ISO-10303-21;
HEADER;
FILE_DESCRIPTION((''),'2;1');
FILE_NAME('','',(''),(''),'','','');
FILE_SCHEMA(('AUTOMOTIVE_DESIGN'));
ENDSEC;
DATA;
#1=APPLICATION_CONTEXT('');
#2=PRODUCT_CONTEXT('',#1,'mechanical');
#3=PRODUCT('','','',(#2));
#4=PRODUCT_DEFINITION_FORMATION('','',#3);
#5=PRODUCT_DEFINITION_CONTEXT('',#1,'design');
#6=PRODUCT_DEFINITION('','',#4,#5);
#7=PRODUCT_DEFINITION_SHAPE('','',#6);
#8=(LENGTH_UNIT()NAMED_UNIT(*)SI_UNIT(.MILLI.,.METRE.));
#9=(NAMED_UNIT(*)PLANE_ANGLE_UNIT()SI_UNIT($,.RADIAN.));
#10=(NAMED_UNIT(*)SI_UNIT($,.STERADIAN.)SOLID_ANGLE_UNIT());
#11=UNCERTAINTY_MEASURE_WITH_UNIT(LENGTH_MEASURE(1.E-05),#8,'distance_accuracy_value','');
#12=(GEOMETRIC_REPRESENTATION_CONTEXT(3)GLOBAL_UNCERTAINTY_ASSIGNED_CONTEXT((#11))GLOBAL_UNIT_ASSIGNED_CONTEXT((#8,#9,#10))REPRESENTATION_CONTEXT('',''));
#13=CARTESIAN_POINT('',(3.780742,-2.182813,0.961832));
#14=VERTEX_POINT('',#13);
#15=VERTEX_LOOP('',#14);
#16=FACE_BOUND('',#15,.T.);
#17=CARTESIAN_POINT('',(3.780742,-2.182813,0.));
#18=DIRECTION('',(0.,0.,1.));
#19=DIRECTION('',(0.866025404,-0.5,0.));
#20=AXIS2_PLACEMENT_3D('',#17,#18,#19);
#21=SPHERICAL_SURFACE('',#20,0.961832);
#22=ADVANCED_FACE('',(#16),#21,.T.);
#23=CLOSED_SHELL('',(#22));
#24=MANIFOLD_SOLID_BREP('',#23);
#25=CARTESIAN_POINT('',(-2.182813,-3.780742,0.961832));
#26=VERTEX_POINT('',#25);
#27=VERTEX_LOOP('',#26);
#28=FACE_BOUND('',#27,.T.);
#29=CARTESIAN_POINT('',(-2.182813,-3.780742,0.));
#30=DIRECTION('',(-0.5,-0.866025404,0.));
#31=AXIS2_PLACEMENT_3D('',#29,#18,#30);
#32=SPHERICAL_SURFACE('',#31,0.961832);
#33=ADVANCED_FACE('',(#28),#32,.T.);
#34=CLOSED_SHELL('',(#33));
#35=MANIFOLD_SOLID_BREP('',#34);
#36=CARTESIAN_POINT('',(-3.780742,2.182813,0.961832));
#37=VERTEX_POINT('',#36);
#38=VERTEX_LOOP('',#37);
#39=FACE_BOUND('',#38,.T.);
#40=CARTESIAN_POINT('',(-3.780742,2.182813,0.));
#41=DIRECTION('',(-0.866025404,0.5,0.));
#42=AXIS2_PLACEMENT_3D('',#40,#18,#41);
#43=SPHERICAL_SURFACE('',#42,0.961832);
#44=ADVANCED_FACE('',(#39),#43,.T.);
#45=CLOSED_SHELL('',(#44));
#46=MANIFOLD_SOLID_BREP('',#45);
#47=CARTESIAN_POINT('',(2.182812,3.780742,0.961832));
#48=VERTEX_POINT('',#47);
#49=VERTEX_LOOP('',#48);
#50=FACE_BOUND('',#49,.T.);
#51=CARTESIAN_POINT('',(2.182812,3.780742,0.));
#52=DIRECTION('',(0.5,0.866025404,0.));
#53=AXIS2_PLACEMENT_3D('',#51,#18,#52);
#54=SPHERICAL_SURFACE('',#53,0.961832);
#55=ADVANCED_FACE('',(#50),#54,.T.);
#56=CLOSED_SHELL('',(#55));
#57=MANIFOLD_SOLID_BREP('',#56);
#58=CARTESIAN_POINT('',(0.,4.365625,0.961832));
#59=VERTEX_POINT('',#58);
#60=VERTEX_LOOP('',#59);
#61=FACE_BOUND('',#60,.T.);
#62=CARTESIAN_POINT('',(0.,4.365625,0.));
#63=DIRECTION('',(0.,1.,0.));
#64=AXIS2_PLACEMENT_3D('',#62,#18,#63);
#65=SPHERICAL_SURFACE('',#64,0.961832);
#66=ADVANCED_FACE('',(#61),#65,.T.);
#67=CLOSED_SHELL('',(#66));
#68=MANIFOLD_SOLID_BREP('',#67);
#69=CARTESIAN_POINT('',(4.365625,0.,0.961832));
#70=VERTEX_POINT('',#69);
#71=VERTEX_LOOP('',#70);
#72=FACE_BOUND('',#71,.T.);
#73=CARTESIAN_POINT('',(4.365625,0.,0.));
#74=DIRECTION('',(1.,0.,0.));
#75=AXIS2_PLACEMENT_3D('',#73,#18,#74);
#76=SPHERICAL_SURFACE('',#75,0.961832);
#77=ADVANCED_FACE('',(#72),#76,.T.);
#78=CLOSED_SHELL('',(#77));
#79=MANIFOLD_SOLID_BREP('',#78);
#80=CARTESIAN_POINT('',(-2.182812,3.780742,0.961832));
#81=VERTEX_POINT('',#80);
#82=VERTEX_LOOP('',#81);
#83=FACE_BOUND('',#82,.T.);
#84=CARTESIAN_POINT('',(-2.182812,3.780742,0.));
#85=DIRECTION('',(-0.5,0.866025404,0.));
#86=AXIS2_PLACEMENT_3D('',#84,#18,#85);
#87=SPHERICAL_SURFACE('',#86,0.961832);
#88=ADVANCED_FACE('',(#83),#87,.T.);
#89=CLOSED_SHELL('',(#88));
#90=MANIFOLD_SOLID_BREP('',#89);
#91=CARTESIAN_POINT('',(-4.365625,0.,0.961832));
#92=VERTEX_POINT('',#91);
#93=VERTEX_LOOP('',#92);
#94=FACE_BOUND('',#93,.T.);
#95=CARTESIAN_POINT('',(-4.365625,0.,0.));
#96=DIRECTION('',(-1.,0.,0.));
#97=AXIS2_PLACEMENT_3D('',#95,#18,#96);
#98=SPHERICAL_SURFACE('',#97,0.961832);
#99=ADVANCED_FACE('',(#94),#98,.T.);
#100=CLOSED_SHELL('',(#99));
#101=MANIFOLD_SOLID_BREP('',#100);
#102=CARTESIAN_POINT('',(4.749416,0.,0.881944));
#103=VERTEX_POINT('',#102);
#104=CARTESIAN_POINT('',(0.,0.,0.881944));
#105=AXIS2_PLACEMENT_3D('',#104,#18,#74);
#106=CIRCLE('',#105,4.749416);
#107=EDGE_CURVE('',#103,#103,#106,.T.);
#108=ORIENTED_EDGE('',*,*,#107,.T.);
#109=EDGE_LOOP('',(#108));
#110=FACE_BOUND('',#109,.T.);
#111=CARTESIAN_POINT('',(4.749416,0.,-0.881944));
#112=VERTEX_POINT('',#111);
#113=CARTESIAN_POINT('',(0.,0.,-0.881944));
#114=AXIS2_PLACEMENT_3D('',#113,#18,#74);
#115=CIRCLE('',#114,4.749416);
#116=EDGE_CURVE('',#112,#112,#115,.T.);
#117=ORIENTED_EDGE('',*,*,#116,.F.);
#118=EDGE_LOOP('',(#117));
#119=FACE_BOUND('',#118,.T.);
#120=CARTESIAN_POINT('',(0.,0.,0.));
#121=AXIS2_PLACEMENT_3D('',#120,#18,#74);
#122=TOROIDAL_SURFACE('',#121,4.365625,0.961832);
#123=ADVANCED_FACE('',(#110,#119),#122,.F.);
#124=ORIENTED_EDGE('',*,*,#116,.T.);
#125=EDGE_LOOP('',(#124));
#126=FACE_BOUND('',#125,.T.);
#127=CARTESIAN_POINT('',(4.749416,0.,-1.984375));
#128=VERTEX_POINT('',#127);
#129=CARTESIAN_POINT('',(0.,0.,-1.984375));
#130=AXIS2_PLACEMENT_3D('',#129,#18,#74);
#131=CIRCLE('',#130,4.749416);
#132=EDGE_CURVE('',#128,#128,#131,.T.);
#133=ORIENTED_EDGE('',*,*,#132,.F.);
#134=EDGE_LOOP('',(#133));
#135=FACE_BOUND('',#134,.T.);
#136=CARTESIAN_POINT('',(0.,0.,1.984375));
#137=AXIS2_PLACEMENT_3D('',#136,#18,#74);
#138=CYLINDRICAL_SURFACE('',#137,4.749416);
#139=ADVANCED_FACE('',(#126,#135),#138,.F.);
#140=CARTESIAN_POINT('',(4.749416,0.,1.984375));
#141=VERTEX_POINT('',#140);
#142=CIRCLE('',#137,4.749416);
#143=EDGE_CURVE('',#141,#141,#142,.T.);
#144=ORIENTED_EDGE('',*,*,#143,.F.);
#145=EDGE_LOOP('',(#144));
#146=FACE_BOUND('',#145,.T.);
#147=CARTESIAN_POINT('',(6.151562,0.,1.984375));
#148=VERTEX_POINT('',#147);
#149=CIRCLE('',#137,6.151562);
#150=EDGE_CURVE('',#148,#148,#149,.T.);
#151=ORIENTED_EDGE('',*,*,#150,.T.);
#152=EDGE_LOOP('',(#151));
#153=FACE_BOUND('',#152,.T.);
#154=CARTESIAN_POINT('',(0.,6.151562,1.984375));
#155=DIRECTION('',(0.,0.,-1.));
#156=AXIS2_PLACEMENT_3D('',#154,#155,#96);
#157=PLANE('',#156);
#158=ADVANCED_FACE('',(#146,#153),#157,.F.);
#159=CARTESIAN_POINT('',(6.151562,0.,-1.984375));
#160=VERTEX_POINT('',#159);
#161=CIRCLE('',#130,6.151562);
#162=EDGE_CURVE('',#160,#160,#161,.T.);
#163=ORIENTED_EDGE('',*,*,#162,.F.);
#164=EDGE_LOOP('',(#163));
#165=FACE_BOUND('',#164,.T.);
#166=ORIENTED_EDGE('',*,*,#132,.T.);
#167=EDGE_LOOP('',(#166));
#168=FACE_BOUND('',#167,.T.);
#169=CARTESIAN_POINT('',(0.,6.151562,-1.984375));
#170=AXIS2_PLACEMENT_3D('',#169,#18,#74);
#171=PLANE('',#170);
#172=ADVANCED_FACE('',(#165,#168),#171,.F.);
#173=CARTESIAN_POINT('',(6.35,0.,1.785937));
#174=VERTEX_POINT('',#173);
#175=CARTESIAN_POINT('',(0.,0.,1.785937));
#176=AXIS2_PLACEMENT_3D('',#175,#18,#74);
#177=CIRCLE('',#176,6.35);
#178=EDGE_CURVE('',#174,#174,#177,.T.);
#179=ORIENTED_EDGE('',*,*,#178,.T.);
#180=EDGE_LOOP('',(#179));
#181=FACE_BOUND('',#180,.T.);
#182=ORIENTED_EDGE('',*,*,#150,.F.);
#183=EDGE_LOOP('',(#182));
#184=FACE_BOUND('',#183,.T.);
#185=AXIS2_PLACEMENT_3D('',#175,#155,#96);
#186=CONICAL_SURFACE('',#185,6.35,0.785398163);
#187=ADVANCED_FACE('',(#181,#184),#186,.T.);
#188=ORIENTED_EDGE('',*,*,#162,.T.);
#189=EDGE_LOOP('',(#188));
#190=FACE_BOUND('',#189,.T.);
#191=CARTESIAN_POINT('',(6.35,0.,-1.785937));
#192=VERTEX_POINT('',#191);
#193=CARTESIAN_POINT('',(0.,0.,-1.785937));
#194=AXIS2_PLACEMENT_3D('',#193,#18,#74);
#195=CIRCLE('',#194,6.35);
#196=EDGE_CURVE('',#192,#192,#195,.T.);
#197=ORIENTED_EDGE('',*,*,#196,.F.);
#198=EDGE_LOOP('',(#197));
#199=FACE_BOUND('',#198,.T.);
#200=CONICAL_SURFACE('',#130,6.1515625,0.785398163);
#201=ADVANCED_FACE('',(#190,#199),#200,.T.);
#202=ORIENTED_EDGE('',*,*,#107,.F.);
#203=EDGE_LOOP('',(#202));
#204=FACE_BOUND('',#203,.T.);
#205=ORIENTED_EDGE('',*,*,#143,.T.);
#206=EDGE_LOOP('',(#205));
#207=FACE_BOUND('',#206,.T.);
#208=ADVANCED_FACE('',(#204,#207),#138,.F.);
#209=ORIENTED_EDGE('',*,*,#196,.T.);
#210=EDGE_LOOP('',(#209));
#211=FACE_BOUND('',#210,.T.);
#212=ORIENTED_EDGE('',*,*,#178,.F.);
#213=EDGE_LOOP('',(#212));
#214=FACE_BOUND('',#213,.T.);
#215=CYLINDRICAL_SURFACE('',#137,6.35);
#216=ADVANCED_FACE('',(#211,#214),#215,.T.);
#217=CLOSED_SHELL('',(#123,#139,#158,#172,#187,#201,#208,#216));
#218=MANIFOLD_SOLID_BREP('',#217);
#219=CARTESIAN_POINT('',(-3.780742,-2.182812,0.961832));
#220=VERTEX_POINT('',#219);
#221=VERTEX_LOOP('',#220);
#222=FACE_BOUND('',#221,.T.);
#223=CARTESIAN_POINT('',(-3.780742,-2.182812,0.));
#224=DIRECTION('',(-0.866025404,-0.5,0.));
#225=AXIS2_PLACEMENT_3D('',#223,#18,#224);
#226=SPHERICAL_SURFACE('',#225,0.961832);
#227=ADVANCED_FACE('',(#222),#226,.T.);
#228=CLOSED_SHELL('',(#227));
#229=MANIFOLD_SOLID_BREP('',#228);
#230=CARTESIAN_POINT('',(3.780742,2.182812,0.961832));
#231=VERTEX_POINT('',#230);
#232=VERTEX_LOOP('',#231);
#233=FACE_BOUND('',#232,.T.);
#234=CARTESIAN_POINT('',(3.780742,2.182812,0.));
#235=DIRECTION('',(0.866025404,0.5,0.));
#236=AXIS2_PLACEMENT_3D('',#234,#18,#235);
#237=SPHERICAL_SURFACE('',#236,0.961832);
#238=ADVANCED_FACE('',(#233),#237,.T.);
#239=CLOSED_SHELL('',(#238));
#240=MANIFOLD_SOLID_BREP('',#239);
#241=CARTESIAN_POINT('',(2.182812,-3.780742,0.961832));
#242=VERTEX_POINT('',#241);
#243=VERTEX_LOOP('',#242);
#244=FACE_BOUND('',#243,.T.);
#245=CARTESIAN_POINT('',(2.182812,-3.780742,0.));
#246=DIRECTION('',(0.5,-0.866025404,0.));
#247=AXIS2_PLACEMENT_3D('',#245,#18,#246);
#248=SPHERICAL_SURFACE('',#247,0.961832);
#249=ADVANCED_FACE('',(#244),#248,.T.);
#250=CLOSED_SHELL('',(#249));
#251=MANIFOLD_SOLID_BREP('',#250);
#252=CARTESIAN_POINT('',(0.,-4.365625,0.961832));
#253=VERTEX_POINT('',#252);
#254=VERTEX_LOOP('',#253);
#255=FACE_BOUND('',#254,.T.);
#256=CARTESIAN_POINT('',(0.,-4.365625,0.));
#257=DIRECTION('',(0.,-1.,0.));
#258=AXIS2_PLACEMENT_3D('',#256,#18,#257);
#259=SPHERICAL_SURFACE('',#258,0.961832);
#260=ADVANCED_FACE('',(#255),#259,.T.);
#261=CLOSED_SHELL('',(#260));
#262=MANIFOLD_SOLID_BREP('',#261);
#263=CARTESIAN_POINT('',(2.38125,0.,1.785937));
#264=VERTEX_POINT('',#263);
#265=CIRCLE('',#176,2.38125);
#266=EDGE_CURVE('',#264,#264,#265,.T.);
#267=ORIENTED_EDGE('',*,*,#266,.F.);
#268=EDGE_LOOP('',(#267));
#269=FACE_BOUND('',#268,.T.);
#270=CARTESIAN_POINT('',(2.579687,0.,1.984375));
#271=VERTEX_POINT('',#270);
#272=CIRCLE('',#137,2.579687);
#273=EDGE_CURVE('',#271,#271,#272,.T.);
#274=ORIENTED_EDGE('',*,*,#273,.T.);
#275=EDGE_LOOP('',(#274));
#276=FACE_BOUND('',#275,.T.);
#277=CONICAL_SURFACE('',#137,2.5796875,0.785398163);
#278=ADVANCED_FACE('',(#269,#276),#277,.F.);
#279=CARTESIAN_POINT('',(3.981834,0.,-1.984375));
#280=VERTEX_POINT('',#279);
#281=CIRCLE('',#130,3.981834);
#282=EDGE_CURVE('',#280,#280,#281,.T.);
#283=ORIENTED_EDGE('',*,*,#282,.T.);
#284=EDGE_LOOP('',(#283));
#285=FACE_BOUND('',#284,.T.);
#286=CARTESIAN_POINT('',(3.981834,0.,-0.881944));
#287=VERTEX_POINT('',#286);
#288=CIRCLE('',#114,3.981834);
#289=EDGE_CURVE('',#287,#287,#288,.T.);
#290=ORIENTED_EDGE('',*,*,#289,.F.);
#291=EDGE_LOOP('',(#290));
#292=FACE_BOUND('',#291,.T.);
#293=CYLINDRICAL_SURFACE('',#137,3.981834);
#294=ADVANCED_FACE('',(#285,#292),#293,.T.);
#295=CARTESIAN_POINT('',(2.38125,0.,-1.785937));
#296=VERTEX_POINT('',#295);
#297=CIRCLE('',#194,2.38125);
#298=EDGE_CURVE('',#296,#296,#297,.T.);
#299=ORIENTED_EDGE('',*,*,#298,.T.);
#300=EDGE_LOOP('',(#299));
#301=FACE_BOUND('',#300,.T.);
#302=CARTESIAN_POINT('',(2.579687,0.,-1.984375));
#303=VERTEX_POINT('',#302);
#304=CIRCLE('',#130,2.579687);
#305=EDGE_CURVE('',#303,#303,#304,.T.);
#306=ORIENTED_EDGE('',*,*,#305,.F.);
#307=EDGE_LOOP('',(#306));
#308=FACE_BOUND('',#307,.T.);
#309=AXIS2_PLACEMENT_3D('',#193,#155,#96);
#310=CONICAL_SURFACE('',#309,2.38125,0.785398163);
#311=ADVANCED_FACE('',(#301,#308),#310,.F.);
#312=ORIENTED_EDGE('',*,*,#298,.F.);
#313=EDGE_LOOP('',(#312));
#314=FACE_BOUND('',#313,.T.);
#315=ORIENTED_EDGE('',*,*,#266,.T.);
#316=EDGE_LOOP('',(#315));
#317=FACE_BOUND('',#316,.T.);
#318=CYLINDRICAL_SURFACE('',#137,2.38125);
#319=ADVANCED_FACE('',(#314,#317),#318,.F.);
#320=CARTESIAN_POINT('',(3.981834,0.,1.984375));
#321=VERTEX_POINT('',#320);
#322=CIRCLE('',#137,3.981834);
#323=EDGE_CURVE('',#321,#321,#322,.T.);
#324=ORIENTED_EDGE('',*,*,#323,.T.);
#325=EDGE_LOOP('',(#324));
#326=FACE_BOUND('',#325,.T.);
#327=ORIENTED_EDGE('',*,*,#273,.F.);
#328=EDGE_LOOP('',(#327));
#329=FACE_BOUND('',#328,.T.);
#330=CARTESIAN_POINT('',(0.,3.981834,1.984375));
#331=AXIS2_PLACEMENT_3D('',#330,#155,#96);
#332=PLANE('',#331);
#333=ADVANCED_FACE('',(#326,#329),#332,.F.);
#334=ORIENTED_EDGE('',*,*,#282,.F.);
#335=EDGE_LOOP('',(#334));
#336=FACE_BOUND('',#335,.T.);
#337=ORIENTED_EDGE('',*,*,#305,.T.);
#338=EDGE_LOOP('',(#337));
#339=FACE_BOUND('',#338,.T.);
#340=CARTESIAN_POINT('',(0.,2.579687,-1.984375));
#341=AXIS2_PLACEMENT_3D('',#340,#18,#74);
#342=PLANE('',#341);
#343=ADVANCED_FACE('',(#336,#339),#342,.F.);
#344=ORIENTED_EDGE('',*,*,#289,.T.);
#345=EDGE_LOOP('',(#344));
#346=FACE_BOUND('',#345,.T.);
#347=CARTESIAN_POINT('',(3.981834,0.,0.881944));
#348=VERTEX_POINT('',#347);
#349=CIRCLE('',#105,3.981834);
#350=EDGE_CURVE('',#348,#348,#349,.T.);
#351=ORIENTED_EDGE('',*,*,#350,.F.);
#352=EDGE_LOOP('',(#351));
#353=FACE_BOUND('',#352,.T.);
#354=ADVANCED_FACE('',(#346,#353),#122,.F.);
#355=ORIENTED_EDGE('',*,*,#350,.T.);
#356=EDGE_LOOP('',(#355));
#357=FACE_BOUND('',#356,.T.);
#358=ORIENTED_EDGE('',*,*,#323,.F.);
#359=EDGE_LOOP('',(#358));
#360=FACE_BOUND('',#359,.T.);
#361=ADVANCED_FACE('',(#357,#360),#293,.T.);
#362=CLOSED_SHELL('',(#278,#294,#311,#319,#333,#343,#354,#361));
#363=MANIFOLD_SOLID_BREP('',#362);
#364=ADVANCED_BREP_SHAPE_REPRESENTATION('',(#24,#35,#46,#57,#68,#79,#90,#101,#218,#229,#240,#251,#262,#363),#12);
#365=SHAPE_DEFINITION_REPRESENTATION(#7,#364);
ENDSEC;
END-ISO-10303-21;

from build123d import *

# Parameters (mm, degrees)
CIRPATTERN1_COUNT = 12


with BuildPart() as part:
    # Sketch1 → Revolve1 (revolve)
    with BuildSketch(Plane(origin=(0, 0, 0), x_dir=(0, 0, -1), z_dir=(1, 0, 0))):
        with BuildLine():
            Line((1.7859375, 6.35), (-1.7859375, 6.35))
            Line((-1.7859375, 6.35), (-1.984375, 6.1515625))
            Line((-1.984375, 6.1515625), (-1.984375, 4.749416209))
            Line((-1.984375, 4.749416209), (-0.881944444, 4.749416209))
            ThreePointArc((-0.881944444, 4.749416209), (0, 5.327457467), (0.881944444, 4.749416209))
            Line((0.881944444, 4.749416209), (1.984375, 4.749416209))
            Line((1.984375, 4.749416209), (1.984375, 6.1515625))
            Line((1.984375, 6.1515625), (1.7859375, 6.35))
        make_face()
    revolve(axis=Axis((0, 0, 1.984375), (0, 0, -1)))


with BuildPart() as body_2:
    # Sketch3 → Revolve3 (revolve)
    with BuildSketch(Plane(origin=(0, 0, 0), x_dir=(0, 0, -1), z_dir=(1, 0, 0))):
        with BuildLine():
            Line((-1.984375, 3.981833791), (-0.881944444, 3.981833791))
            ThreePointArc((-0.881944444, 3.981833791), (0, 3.403792533), (0.881944444, 3.981833791))
            Line((0.881944444, 3.981833791), (1.984375, 3.981833791))
            Line((1.984375, 3.981833791), (1.984375, 2.5796875))
            Line((1.984375, 2.5796875), (1.7859375, 2.38125))
            Line((1.7859375, 2.38125), (-1.7859375, 2.38125))
            Line((-1.7859375, 2.38125), (-1.984375, 2.5796875))
            Line((-1.984375, 2.5796875), (-1.984375, 3.981833791))
        make_face()
    revolve(axis=Axis((0, 0, 1.984375), (0, 0, -1)))


with BuildPart() as body_3:
    # Sketch4 → Revolve4 (revolve)
    with BuildSketch(Plane(origin=(0, 0, 0), x_dir=(0, 0, -1), z_dir=(1, 0, 0))):
        with BuildLine():
            Line((-0.961832467, 4.365625), (0.961832467, 4.365625))
            ThreePointArc((0.961832467, 4.365625), (0, 5.327457467), (-0.961832467, 4.365625))
        make_face()
    revolve(axis=Axis((0, 4.365625, 0.961832467), (0, 0, -1)))


with BuildPart() as cirpattern1_1:
    # CirPattern1: pattern copy
    add(body_3.part.rotate(Axis((0, 0, -1.984375), (0, 0, 1)), 1 * 360 / CIRPATTERN1_COUNT))


with BuildPart() as cirpattern1_2:
    # CirPattern1: pattern copy
    add(body_3.part.rotate(Axis((0, 0, -1.984375), (0, 0, 1)), 2 * 360 / CIRPATTERN1_COUNT))


with BuildPart() as cirpattern1_3:
    # CirPattern1: pattern copy
    add(body_3.part.rotate(Axis((0, 0, -1.984375), (0, 0, 1)), 3 * 360 / CIRPATTERN1_COUNT))


with BuildPart() as cirpattern1_4:
    # CirPattern1: pattern copy
    add(body_3.part.rotate(Axis((0, 0, -1.984375), (0, 0, 1)), 4 * 360 / CIRPATTERN1_COUNT))


with BuildPart() as cirpattern1_5:
    # CirPattern1: pattern copy
    add(body_3.part.rotate(Axis((0, 0, -1.984375), (0, 0, 1)), 5 * 360 / CIRPATTERN1_COUNT))


with BuildPart() as cirpattern1_6:
    # CirPattern1: pattern copy
    add(body_3.part.rotate(Axis((0, 0, -1.984375), (0, 0, 1)), 6 * 360 / CIRPATTERN1_COUNT))


with BuildPart() as cirpattern1_7:
    # CirPattern1: pattern copy
    add(body_3.part.rotate(Axis((0, 0, -1.984375), (0, 0, 1)), 7 * 360 / CIRPATTERN1_COUNT))


with BuildPart() as cirpattern1_8:
    # CirPattern1: pattern copy
    add(body_3.part.rotate(Axis((0, 0, -1.984375), (0, 0, 1)), 8 * 360 / CIRPATTERN1_COUNT))


with BuildPart() as cirpattern1_9:
    # CirPattern1: pattern copy
    add(body_3.part.rotate(Axis((0, 0, -1.984375), (0, 0, 1)), 9 * 360 / CIRPATTERN1_COUNT))


with BuildPart() as cirpattern1_10:
    # CirPattern1: pattern copy
    add(body_3.part.rotate(Axis((0, 0, -1.984375), (0, 0, 1)), 10 * 360 / CIRPATTERN1_COUNT))


with BuildPart() as cirpattern1_11:
    # CirPattern1: pattern copy
    add(body_3.part.rotate(Axis((0, 0, -1.984375), (0, 0, 1)), 11 * 360 / CIRPATTERN1_COUNT))


solid = Compound([part.part, body_2.part, body_3.part, cirpattern1_1.part, cirpattern1_2.part, cirpattern1_3.part, cirpattern1_4.part, cirpattern1_5.part, cirpattern1_6.part, cirpattern1_7.part, cirpattern1_8.part, cirpattern1_9.part, cirpattern1_10.part, cirpattern1_11.part])
